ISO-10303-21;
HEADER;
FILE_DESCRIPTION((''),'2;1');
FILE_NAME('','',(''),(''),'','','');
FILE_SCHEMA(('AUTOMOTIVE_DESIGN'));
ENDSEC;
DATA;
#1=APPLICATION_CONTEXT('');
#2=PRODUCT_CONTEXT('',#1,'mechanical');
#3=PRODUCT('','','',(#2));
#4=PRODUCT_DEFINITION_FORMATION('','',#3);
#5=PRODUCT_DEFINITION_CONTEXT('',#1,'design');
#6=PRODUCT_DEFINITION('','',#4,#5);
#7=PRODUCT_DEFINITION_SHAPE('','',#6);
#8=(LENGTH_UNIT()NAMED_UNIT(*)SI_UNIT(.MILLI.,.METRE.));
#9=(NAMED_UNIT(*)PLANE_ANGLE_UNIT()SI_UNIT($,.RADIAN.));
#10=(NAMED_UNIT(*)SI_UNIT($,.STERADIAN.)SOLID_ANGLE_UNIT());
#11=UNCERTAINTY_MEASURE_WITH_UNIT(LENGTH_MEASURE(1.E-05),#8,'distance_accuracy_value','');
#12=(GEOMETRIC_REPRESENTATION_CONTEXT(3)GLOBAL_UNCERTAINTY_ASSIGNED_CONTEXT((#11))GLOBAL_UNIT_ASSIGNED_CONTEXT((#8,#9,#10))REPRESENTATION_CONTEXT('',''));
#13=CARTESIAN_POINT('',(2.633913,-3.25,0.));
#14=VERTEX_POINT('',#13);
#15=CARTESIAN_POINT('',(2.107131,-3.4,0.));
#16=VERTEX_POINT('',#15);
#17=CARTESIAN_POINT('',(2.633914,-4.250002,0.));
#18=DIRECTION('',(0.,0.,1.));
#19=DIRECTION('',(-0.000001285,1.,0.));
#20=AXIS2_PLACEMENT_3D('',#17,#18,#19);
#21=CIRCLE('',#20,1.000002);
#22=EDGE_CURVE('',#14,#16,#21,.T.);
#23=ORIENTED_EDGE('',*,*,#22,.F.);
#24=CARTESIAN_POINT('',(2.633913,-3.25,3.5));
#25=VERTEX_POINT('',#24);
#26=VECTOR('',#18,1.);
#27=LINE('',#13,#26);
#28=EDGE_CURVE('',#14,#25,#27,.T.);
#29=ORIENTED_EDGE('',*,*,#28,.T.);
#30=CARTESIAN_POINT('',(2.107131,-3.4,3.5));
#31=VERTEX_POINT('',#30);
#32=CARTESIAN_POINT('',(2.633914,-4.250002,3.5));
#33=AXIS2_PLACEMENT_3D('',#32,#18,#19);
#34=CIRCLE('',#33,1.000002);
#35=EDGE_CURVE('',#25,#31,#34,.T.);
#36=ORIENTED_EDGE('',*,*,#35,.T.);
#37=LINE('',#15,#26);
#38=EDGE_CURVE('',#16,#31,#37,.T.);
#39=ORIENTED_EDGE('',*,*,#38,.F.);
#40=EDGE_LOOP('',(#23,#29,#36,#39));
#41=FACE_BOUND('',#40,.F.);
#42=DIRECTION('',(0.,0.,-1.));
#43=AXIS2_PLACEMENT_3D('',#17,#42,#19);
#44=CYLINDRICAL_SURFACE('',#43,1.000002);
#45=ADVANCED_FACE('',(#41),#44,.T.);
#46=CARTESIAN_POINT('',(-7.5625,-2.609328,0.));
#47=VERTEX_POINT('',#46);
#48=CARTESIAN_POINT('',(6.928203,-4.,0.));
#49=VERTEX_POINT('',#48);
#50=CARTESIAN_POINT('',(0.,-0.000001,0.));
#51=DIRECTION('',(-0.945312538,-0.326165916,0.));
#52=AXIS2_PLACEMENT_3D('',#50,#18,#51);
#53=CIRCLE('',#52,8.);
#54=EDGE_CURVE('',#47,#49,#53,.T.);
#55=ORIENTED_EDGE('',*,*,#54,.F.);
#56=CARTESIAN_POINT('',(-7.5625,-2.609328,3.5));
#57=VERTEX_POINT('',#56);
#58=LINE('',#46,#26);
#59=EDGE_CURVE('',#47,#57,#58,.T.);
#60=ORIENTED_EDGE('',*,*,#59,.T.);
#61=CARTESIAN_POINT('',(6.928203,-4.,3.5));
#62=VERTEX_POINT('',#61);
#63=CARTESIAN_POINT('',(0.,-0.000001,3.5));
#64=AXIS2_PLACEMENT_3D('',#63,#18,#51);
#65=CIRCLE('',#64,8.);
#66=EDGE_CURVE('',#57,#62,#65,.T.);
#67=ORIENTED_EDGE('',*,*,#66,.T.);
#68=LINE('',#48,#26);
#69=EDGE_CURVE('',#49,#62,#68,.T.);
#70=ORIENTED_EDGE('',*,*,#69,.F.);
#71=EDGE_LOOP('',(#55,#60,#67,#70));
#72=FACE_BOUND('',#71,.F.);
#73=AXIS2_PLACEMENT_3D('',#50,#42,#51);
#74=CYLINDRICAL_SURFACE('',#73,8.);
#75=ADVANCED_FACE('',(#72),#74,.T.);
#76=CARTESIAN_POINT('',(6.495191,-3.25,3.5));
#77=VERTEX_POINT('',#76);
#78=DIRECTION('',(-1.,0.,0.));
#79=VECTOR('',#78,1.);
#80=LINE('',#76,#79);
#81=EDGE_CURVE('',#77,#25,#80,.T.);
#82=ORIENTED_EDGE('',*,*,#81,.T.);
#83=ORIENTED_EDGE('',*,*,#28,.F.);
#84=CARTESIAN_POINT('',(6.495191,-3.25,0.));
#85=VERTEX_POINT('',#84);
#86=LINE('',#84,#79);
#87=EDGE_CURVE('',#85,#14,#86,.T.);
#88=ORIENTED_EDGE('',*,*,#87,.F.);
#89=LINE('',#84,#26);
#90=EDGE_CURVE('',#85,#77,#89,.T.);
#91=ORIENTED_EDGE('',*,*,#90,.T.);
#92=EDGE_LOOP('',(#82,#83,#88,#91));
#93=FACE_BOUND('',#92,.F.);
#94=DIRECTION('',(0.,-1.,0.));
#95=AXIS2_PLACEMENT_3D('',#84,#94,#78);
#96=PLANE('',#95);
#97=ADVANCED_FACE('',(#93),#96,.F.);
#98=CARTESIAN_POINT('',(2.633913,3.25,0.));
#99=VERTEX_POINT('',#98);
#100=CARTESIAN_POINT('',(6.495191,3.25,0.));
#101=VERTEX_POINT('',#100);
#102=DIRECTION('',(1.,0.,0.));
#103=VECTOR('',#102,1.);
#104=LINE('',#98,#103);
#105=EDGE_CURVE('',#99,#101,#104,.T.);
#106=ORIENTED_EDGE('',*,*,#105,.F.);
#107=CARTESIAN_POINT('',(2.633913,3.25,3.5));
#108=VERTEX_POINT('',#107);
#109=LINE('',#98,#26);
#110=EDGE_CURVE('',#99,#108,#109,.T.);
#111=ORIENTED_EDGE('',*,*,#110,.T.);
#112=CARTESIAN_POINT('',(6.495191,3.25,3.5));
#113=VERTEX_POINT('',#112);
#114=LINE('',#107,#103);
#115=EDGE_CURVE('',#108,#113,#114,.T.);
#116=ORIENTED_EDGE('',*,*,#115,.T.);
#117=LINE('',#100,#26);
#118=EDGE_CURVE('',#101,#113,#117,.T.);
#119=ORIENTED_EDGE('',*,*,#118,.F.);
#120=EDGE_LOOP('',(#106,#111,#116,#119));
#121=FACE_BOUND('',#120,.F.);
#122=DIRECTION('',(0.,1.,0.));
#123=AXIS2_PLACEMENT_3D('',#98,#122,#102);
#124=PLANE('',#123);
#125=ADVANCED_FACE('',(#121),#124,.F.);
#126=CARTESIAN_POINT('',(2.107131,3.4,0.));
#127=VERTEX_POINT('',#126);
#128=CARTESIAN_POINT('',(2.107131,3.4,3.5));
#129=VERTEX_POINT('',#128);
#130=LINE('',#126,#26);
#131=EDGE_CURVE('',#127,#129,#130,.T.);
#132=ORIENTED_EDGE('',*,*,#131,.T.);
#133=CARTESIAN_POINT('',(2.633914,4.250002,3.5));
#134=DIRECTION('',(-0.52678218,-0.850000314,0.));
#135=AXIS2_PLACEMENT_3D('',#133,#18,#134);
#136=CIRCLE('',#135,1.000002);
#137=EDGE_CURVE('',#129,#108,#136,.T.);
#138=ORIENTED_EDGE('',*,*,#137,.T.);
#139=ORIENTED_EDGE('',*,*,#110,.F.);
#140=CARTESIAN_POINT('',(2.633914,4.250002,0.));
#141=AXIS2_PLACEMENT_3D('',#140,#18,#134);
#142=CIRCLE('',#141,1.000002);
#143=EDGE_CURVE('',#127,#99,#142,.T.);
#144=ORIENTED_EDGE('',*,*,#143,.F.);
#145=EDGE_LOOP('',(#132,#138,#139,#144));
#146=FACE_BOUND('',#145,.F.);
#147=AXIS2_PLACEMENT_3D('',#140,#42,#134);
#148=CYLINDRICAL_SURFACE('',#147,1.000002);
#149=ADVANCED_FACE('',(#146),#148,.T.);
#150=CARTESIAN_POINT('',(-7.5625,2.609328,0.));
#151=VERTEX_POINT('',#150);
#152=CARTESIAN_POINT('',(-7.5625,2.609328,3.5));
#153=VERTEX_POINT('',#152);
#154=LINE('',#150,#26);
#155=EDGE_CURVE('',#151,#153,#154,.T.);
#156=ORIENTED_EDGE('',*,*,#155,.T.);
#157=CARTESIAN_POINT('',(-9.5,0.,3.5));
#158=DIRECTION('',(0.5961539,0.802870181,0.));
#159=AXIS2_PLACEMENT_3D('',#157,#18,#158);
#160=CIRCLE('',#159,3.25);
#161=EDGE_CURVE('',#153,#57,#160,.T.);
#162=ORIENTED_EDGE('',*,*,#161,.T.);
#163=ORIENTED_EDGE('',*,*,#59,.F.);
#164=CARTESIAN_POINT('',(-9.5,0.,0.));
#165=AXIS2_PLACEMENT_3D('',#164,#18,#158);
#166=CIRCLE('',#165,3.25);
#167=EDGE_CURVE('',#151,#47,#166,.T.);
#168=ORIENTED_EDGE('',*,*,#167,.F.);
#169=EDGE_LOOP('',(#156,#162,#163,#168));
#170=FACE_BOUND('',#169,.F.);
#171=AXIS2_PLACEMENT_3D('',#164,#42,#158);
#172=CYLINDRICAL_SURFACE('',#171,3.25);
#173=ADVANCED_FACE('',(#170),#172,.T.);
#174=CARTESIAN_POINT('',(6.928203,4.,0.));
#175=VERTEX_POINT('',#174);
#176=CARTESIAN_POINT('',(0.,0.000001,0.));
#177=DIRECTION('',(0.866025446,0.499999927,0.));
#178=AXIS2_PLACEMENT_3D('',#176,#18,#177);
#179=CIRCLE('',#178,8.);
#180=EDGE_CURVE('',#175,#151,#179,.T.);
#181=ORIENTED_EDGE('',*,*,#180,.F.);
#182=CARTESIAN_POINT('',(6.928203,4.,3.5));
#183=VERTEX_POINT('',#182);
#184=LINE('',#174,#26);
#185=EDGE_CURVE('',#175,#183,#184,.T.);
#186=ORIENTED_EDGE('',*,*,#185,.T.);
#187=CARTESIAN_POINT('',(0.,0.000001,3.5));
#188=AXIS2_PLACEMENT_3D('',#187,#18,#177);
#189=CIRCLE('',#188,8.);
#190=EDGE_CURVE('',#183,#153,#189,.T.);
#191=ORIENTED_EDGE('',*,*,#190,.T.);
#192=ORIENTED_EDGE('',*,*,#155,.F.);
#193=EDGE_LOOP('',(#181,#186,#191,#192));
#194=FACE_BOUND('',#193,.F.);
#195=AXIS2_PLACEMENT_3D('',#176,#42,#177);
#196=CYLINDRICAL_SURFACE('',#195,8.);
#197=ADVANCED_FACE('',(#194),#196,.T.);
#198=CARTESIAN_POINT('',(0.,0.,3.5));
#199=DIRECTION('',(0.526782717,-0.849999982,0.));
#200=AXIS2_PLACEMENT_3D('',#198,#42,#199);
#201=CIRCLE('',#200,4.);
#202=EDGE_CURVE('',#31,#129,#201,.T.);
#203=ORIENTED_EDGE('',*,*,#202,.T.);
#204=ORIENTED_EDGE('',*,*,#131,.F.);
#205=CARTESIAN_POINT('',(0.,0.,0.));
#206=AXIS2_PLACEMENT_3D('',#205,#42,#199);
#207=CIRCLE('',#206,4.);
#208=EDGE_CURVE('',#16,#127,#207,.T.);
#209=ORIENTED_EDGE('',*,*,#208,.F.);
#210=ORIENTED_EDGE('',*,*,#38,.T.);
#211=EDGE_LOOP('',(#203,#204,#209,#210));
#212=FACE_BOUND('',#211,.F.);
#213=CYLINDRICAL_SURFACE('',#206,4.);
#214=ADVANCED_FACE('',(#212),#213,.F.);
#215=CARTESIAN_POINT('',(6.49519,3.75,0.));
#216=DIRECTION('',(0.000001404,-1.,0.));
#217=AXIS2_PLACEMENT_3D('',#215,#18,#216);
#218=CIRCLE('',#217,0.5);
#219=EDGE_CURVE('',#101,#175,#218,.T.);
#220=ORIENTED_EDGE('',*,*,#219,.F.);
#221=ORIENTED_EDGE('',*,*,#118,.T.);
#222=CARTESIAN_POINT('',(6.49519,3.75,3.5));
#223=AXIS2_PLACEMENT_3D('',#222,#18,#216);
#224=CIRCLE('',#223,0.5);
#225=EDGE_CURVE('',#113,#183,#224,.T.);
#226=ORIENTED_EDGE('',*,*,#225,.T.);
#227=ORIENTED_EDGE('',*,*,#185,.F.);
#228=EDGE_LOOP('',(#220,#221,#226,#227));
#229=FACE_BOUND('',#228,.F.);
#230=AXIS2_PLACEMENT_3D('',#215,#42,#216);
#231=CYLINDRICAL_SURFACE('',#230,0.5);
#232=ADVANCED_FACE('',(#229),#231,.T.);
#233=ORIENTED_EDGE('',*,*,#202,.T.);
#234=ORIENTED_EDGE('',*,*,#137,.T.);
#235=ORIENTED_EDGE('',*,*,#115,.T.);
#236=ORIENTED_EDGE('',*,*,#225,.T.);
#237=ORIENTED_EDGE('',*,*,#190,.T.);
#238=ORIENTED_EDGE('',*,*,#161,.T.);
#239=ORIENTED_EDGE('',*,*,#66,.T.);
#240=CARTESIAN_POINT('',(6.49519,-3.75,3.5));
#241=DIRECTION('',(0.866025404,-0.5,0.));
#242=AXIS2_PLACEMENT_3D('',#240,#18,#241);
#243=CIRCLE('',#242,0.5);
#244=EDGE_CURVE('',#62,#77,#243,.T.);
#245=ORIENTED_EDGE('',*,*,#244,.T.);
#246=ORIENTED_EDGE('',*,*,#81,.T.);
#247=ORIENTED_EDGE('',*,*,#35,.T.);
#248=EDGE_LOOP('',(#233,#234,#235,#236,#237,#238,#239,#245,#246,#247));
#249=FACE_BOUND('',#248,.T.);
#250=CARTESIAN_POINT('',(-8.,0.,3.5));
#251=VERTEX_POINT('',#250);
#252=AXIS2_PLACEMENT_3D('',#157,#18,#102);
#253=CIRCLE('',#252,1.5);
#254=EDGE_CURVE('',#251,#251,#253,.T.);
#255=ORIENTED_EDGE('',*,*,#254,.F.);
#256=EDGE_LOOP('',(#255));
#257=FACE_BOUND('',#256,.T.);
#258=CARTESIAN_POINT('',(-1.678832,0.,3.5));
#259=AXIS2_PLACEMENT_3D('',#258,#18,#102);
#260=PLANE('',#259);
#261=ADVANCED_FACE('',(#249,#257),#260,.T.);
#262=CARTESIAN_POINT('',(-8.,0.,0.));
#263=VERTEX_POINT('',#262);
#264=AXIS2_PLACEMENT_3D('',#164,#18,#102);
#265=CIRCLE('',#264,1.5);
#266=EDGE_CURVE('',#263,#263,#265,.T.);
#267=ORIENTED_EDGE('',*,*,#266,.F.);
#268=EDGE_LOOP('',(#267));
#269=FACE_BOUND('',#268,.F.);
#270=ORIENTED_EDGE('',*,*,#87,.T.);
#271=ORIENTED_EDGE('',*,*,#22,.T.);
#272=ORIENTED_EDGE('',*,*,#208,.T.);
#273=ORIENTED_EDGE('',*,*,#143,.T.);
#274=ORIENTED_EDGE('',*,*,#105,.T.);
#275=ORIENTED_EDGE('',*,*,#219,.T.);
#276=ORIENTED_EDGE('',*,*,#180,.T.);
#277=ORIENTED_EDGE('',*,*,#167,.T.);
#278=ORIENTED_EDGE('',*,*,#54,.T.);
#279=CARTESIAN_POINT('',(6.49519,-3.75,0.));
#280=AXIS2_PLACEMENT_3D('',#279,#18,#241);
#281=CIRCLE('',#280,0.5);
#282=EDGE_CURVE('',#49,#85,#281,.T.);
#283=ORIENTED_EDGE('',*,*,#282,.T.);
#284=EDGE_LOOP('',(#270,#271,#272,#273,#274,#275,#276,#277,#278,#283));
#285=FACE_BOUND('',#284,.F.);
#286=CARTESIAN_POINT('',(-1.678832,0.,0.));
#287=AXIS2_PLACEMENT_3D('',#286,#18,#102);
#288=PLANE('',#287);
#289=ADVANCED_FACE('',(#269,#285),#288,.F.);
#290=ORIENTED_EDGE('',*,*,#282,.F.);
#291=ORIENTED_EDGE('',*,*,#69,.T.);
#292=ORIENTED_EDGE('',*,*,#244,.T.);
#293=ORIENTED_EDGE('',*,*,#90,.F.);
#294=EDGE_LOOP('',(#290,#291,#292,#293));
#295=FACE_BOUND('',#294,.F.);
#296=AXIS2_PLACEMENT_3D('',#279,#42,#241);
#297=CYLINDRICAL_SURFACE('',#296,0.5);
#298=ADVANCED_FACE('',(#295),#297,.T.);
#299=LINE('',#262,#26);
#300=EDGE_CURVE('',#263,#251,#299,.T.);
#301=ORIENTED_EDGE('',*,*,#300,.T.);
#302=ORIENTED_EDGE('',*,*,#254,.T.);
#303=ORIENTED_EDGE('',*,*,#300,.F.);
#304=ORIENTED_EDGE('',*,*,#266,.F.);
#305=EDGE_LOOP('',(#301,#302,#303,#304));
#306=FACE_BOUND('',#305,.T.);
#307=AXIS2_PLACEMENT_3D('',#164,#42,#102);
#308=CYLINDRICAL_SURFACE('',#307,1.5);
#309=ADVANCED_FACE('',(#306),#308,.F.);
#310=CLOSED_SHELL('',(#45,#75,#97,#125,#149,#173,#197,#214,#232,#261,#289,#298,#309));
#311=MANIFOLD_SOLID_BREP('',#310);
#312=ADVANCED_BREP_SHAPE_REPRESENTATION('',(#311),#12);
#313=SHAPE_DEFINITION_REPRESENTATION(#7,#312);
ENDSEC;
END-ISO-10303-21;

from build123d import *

# Parameters (mm, degrees)
F0_R     = 1.5
F1_DEPTH = 3.5


with BuildPart() as f1:
    # F0 (on Top) → F1 (new body)
    with BuildSketch(Plane.XY):
        with BuildLine():
            ThreePointArc((2.107131, -3.4), (-4, 0), (2.107131, 3.4))
            ThreePointArc((2.107131, 3.4), (2.360052, 3.288231), (2.633913, 3.25))
            Line((2.633913, 3.25), (6.495191, 3.25))
            ThreePointArc((6.495191, 3.25), (6.928203, 3.5), (6.928203, 4))
            ThreePointArc((6.928203, 4), (-0.764248, 7.963412), (-7.5625, 2.609328))
            ThreePointArc((-7.5625, 2.609328), (-12.75, 0), (-7.5625, -2.609328))
            ThreePointArc((-7.5625, -2.609328), (-0.764248, -7.963412), (6.928203, -4))
            ThreePointArc((6.928203, -4), (6.928203, -3.5), (6.495191, -3.25))
            Line((6.495191, -3.25), (2.633913, -3.25))
            ThreePointArc((2.633913, -3.25), (2.360052, -3.288231), (2.107131, -3.4))
        make_face()
        with Locations((-9.5, 0)):
            Circle(F0_R, mode=Mode.SUBTRACT)
    extrude(amount=F1_DEPTH)


solid = f1.part
